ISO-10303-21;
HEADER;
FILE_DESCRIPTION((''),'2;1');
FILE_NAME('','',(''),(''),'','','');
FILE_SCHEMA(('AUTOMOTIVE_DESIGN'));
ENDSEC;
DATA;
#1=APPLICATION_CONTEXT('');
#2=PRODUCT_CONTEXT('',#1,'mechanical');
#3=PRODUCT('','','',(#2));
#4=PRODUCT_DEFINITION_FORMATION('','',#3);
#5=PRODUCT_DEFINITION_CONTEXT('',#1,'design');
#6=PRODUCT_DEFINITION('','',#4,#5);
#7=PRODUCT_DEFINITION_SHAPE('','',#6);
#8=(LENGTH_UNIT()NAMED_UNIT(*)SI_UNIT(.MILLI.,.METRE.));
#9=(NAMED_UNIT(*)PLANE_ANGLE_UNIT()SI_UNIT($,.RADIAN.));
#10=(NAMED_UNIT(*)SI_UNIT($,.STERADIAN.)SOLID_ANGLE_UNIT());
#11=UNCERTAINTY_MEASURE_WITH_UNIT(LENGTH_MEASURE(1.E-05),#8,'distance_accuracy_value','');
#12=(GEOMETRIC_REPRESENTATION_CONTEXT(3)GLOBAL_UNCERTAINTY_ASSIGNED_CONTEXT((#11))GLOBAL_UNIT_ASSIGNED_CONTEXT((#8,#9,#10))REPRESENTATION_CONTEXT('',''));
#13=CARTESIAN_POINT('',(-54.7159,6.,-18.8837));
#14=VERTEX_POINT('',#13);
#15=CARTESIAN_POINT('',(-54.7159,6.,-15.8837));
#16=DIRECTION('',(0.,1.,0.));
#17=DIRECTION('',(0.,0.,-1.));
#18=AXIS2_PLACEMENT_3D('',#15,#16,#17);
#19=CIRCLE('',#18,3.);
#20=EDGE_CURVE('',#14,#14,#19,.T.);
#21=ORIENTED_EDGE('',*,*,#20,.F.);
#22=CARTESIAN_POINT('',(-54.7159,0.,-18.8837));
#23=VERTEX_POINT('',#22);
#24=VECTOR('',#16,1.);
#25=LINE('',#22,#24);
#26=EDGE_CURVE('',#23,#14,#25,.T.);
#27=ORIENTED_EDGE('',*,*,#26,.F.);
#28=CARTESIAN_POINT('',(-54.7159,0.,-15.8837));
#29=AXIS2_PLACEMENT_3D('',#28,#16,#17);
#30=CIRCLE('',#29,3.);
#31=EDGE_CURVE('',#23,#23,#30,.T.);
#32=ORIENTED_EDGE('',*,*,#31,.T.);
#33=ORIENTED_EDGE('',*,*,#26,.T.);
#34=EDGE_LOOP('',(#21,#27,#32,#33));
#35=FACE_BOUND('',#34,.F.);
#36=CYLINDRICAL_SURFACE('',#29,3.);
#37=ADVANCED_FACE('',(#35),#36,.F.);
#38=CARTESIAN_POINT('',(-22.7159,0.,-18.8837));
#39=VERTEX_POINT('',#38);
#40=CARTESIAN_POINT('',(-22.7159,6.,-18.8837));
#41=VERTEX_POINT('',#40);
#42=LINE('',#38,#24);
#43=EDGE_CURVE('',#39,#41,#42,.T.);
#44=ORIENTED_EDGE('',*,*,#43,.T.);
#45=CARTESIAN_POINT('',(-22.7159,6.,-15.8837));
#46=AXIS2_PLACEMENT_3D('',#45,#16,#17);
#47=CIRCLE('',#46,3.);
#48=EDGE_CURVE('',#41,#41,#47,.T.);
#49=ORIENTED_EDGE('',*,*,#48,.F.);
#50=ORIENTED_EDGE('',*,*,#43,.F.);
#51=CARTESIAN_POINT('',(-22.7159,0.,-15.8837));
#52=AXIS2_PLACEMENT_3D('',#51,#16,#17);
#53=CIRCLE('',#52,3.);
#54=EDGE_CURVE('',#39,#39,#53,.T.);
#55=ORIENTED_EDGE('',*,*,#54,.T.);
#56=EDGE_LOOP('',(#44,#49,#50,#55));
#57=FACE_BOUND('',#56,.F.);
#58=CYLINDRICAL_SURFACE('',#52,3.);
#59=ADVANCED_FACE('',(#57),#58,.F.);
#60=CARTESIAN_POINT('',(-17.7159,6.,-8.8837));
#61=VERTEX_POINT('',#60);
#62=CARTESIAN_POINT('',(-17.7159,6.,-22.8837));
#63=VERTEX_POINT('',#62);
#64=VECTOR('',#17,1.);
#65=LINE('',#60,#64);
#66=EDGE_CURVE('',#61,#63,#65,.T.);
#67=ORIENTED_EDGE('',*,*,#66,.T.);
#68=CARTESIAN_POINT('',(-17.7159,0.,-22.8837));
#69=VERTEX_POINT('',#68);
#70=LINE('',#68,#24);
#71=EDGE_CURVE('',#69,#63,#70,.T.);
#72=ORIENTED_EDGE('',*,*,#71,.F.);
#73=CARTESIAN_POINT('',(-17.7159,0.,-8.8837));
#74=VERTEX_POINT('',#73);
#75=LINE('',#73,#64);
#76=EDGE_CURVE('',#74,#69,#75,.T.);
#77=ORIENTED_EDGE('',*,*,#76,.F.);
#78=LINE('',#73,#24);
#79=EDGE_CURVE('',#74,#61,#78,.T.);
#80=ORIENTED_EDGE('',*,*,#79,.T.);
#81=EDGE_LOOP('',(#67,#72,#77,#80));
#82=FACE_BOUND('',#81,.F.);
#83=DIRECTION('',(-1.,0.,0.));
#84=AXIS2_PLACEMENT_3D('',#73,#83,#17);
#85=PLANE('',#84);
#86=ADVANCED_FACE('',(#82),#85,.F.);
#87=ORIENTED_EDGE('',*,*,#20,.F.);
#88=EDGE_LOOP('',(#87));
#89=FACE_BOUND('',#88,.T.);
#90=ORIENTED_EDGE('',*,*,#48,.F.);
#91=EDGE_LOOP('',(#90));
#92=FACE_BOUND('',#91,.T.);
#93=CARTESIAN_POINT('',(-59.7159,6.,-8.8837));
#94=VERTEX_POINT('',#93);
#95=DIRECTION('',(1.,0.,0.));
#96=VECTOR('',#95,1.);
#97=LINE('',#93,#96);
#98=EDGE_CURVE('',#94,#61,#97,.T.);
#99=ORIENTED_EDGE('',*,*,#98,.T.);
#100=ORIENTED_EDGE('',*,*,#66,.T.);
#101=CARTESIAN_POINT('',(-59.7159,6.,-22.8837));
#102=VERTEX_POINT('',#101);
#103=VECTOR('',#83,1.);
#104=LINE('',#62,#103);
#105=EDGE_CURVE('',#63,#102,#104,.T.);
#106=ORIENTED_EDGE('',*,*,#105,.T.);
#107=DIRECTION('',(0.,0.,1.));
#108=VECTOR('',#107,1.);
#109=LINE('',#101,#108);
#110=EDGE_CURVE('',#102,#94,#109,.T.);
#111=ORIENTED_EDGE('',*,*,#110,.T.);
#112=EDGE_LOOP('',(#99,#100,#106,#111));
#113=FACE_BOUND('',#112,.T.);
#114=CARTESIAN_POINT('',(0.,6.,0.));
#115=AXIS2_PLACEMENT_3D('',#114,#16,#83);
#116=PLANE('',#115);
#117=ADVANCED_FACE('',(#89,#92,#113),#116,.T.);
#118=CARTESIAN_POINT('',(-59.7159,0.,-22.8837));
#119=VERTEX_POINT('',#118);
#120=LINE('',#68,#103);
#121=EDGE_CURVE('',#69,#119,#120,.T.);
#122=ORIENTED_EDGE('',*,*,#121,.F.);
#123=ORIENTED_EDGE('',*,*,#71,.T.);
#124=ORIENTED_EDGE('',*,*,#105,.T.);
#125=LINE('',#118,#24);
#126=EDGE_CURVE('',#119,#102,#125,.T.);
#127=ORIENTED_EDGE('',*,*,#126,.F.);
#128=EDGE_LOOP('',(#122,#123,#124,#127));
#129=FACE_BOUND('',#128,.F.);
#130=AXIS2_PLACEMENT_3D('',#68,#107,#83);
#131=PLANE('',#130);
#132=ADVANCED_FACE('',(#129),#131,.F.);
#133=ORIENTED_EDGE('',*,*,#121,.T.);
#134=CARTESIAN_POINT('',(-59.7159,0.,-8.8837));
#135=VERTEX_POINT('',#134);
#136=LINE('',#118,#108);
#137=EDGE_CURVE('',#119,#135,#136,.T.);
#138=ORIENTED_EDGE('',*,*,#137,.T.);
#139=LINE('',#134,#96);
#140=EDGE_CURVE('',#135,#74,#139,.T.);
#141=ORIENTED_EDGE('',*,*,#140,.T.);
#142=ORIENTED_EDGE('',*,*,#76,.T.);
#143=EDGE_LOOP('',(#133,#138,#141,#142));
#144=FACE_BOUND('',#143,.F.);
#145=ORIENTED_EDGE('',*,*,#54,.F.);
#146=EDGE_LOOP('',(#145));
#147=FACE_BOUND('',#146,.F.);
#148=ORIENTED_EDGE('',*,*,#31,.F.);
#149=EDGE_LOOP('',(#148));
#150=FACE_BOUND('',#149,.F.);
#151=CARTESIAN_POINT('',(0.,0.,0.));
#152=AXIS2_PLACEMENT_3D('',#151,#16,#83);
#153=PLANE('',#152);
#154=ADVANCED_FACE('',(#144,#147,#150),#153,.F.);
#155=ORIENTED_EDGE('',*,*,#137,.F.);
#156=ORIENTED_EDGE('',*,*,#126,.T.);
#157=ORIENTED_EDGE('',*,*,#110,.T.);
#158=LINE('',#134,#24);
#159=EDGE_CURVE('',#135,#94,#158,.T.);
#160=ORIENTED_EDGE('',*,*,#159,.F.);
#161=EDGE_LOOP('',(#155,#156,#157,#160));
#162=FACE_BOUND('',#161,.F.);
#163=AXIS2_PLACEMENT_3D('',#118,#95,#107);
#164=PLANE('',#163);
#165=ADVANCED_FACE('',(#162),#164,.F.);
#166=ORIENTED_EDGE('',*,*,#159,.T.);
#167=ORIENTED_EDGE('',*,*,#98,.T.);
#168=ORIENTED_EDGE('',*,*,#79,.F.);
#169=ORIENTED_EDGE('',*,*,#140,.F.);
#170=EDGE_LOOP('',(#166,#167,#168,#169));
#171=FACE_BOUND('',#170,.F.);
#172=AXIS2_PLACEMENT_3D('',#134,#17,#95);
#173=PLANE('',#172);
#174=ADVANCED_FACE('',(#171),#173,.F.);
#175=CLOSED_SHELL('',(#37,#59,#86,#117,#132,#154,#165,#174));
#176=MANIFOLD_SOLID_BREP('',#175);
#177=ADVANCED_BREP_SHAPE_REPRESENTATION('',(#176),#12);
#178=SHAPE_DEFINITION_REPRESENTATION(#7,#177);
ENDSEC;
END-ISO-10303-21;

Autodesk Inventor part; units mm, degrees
ref_plane "YZ Plane" through (0, 0, 0) normal (1, 0, 0) x (0, 1, 0)
ref_plane "XZ Plane" through (0, 0, 0) normal (0, 1, 0) x (-1, 0, 0)
ref_plane "XY Plane" through (0, 0, 0) normal (0, 0, 1) x (1, 0, 0)
sketch "Sketch1" plane through (0, 0, 0) normal (0, 1, 0) x (-1, 0, 0)
  line L0 (59.7159, -8.8837) -> (17.7159, -8.8837)
  line L1 (17.7159, -8.8837) -> (17.7159, -22.8837)
  line L2 (17.7159, -22.8837) -> (59.7159, -22.8837)
  line L3 (59.7159, -22.8837) -> (59.7159, -8.8837)
  line L4 (59.7159, -8.8837) -> (17.7159, -22.8837) construction
  line L5 (17.7159, -8.8837) -> (59.7159, -22.8837) construction
  line L6 (59.7159, -15.8837) -> (17.7159, -15.8837) construction
  point P0 (0, 0)
  point P1 (38.7159, -15.8837)
  point P2 (54.7159, -15.8837)
  point P3 (22.7159, -15.8837)
  dimension "d0" = 42
  dimension "d1" = 14
  dimension "d2" = 5
  dimension "d3" = 5
extrude "Extrusion1" add sketch "Sketch1" along normal blind 6
hole "Hole1" at (-54.7159, 0, -15.8837) at (-22.7159, 0, -15.8837) direction (0, 1, 0) diameter 6 end through all
properties part number "linear rod support mount spacer_3DPrint"
